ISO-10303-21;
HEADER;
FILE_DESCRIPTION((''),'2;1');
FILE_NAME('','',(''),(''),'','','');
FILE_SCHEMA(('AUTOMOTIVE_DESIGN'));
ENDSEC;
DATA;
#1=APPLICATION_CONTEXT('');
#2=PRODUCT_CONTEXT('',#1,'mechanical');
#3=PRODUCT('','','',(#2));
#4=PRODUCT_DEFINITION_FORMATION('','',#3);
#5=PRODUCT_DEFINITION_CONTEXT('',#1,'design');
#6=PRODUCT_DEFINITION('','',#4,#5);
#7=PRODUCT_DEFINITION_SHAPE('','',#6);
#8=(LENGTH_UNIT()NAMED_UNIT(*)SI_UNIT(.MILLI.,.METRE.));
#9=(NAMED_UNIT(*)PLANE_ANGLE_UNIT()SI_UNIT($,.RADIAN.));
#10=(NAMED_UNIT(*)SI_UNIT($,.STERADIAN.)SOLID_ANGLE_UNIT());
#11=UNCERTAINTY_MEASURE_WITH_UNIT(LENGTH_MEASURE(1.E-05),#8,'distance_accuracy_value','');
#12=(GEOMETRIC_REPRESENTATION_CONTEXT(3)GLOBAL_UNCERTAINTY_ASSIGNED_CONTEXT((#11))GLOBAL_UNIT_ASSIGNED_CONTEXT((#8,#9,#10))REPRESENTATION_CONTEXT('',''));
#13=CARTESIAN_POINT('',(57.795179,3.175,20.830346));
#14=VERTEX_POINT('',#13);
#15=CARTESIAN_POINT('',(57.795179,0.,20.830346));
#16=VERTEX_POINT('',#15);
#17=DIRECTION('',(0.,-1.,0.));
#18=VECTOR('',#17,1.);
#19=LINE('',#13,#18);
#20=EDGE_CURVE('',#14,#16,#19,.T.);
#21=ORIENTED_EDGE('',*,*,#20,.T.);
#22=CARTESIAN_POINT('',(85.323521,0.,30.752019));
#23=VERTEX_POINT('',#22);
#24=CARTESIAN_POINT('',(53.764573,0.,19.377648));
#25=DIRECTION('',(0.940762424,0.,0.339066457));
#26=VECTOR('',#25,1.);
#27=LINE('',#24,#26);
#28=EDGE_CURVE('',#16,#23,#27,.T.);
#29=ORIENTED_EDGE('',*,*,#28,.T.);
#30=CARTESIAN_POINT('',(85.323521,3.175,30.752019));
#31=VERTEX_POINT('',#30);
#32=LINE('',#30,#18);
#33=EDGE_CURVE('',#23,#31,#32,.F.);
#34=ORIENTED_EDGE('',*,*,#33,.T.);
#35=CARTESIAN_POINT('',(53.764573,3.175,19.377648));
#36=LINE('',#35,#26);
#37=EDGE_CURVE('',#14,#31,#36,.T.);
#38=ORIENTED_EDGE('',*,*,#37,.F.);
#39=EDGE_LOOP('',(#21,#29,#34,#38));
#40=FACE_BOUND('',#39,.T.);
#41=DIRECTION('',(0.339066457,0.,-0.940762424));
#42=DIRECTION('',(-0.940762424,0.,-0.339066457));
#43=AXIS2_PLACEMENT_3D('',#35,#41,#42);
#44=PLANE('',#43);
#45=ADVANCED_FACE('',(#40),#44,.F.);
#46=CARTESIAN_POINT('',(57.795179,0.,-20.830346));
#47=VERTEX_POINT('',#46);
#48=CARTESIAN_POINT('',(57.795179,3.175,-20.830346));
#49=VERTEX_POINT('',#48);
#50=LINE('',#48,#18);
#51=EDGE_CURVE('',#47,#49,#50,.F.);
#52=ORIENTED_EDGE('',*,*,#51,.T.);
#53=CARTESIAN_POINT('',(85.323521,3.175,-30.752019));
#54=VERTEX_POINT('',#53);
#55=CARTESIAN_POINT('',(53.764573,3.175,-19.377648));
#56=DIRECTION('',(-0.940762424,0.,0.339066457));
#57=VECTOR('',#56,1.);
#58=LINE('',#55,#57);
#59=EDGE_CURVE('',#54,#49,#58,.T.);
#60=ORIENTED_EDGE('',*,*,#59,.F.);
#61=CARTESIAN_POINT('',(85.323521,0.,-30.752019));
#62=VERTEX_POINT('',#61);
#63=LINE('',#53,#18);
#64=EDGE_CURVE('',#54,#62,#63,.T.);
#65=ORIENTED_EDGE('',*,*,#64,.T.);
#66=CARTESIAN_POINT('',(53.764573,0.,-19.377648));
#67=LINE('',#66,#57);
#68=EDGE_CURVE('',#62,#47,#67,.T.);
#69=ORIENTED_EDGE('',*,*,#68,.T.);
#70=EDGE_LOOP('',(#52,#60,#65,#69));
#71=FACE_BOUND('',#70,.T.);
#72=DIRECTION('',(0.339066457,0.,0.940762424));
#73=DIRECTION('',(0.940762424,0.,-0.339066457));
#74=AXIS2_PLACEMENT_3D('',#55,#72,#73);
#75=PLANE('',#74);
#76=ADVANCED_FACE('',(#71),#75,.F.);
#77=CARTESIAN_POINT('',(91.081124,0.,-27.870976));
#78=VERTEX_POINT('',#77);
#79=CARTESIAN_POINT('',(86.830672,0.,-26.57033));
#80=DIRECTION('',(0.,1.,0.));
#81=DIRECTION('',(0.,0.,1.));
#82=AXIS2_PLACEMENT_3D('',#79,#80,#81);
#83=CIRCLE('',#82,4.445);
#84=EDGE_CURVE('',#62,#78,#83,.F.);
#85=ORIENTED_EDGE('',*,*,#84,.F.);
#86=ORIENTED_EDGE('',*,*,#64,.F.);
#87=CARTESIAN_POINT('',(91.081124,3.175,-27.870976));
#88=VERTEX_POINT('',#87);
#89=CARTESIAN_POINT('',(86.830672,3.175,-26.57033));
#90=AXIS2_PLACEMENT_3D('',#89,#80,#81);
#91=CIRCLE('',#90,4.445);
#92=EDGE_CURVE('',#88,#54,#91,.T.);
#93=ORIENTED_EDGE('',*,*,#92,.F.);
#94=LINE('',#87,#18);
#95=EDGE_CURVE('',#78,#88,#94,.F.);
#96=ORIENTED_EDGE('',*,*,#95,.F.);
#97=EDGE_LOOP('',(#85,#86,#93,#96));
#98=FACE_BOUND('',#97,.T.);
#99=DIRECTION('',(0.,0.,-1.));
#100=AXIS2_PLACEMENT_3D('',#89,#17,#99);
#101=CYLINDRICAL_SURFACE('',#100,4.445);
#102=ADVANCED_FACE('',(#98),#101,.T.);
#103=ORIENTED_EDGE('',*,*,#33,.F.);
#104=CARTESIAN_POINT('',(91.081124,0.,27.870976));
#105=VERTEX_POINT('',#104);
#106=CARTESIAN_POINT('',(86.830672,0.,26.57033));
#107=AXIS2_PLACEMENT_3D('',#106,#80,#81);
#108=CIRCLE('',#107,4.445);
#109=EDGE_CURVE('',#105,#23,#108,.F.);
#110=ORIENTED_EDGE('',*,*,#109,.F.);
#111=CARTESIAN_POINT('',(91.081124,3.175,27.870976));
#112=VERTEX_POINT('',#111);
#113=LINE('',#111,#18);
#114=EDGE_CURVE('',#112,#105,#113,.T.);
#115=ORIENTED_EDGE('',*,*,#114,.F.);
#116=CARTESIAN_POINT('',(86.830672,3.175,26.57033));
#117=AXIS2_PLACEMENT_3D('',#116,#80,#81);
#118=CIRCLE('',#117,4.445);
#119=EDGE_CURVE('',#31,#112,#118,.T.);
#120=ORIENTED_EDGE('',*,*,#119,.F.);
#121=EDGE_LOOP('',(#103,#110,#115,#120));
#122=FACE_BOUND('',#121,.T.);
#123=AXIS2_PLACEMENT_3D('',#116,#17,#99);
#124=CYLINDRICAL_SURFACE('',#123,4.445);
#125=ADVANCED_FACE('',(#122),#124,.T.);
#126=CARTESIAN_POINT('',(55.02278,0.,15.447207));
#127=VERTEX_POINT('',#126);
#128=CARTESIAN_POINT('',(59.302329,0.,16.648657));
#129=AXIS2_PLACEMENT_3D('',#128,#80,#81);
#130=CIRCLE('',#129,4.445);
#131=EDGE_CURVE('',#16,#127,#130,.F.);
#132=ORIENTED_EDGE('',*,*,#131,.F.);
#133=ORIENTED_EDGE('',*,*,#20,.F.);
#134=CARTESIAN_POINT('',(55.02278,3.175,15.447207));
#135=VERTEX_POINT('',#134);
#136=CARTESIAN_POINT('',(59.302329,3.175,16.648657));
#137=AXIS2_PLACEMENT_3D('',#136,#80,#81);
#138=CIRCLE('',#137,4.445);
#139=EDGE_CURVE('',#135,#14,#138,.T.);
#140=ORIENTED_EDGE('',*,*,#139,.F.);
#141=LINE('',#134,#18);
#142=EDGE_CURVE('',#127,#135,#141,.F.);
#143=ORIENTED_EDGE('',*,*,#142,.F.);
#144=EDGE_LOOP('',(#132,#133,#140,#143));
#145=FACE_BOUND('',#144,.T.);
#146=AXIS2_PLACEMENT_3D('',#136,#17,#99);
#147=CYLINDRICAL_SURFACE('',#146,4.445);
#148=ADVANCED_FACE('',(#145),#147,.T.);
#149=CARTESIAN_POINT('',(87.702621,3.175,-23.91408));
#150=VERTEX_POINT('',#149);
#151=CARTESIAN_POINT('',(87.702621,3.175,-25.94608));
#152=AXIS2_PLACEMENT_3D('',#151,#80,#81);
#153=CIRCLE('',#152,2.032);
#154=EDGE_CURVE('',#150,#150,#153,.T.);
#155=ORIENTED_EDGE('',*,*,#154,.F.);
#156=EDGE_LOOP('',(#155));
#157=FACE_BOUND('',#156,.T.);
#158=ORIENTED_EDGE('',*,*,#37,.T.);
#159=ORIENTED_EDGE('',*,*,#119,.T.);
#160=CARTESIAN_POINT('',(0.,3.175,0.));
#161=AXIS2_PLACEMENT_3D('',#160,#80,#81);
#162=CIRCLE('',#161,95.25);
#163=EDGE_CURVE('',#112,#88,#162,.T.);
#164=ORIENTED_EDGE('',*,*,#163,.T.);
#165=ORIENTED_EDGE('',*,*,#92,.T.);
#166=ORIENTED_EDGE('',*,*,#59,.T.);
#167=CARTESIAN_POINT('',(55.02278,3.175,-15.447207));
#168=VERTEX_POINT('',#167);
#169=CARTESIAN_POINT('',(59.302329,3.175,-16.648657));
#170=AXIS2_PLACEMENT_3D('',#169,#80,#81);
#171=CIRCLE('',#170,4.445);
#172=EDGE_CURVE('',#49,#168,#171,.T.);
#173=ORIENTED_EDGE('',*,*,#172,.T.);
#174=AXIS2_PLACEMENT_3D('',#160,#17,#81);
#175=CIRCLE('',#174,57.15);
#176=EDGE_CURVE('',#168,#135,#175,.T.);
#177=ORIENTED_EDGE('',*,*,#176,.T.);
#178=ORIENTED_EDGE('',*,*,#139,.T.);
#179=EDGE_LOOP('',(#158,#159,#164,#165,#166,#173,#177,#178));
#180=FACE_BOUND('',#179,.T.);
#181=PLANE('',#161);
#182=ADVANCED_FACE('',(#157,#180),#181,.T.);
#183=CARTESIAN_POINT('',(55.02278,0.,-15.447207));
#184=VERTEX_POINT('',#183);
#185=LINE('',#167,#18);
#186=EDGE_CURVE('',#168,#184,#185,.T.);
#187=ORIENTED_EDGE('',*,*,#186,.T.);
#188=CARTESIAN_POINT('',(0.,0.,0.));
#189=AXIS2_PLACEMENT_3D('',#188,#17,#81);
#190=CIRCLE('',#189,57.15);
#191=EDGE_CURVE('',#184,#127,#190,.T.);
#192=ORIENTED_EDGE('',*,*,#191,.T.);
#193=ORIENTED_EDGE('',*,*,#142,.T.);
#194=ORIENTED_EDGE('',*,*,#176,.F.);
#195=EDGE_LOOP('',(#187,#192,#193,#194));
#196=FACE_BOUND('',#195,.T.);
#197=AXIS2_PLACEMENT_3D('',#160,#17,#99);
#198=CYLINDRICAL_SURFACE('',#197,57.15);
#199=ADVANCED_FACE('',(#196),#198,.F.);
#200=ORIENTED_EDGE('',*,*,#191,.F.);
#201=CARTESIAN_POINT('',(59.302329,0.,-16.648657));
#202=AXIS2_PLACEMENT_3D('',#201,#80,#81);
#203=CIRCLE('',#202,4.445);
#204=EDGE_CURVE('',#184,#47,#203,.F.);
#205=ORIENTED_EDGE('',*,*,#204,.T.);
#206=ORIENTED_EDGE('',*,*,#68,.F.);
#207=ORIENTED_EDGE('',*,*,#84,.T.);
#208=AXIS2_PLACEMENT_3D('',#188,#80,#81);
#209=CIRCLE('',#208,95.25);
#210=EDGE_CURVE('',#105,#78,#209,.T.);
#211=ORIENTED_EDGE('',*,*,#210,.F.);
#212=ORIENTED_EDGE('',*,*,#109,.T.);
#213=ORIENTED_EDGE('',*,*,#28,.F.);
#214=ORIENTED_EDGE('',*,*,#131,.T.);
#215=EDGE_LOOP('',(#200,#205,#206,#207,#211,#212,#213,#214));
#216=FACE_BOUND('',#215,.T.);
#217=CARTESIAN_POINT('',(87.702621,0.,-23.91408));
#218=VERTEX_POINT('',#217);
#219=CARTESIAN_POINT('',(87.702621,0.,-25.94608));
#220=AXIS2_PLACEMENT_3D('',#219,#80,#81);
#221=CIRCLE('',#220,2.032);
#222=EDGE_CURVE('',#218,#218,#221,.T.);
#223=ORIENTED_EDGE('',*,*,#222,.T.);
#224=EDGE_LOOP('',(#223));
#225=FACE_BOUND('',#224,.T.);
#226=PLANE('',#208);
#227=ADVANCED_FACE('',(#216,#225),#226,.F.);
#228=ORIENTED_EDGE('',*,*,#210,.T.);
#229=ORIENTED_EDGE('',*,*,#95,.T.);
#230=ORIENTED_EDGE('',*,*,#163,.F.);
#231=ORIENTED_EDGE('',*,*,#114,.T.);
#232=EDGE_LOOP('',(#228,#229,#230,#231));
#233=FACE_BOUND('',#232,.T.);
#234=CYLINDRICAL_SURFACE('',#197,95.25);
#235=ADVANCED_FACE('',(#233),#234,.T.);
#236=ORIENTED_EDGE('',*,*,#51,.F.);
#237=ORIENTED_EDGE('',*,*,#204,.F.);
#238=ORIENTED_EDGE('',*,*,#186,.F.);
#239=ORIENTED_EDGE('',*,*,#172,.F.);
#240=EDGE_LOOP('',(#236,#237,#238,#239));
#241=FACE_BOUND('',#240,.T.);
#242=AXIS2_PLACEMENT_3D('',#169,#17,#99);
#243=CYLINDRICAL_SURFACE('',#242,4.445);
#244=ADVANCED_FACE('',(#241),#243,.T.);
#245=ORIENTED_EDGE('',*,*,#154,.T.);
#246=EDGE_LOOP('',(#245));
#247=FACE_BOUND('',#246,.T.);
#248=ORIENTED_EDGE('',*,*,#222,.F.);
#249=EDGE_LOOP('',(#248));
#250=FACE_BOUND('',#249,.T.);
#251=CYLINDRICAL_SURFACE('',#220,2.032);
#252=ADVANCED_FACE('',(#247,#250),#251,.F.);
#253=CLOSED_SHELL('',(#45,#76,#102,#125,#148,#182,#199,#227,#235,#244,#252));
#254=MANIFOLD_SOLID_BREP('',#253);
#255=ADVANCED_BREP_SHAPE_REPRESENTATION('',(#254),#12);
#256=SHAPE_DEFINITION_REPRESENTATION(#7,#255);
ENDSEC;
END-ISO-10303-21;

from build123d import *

# Parameters (mm, degrees)
BOSS_EXTRUDE1_DEPTH = 3.175
SKETCH2_R           = 2.032
CUT_EXTRUDE1_DEPTH  = 101.626437428
FILLET1_R           = 4.445


with BuildPart() as part:
    # Sketch1 → Boss-Extrude1 (new body)
    with BuildSketch(Plane(origin=(0, 0, 0), x_dir=(1, 0, 0), z_dir=(0, 1, 0))):
        with BuildLine():
            Line((53.764572514, 19.37764801), (89.607620856, 32.296080017))
            ThreePointArc((89.607620856, 32.296080017), (95.25, 0), (89.607620856, -32.296080017))
            Line((89.607620856, -32.296080017), (53.764572514, -19.37764801))
            ThreePointArc((53.764572514, -19.37764801), (57.15, 0), (53.764572514, 19.37764801))
        make_face()
    extrude(amount=BOSS_EXTRUDE1_DEPTH)

    # Sketch2 → Cut-Extrude1 (cut, through all)
    with BuildSketch(Plane(origin=(0, 3.175, 0), x_dir=(1, 0, 0), z_dir=(0, 1, 0))):
        with Locations(Location((87.702620856, 25.946080017, 0), (0, 0, 270))):
            Circle(SKETCH2_R)
    extrude(amount=-CUT_EXTRUDE1_DEPTH, mode=Mode.SUBTRACT)

    # Fillet1
    fillet1_edges = [part.edges().sort_by_distance(p)[0] for p in [
        (53.764572514, 1.5875, -19.37764801),
        (89.607620856, 1.5875, -32.296080017),
        (89.607620856, 1.5875, 32.296080017),
        (53.764572514, 1.5875, 19.37764801),
    ]]
    fillet(fillet1_edges, radius=FILLET1_R)


solid = part.part
